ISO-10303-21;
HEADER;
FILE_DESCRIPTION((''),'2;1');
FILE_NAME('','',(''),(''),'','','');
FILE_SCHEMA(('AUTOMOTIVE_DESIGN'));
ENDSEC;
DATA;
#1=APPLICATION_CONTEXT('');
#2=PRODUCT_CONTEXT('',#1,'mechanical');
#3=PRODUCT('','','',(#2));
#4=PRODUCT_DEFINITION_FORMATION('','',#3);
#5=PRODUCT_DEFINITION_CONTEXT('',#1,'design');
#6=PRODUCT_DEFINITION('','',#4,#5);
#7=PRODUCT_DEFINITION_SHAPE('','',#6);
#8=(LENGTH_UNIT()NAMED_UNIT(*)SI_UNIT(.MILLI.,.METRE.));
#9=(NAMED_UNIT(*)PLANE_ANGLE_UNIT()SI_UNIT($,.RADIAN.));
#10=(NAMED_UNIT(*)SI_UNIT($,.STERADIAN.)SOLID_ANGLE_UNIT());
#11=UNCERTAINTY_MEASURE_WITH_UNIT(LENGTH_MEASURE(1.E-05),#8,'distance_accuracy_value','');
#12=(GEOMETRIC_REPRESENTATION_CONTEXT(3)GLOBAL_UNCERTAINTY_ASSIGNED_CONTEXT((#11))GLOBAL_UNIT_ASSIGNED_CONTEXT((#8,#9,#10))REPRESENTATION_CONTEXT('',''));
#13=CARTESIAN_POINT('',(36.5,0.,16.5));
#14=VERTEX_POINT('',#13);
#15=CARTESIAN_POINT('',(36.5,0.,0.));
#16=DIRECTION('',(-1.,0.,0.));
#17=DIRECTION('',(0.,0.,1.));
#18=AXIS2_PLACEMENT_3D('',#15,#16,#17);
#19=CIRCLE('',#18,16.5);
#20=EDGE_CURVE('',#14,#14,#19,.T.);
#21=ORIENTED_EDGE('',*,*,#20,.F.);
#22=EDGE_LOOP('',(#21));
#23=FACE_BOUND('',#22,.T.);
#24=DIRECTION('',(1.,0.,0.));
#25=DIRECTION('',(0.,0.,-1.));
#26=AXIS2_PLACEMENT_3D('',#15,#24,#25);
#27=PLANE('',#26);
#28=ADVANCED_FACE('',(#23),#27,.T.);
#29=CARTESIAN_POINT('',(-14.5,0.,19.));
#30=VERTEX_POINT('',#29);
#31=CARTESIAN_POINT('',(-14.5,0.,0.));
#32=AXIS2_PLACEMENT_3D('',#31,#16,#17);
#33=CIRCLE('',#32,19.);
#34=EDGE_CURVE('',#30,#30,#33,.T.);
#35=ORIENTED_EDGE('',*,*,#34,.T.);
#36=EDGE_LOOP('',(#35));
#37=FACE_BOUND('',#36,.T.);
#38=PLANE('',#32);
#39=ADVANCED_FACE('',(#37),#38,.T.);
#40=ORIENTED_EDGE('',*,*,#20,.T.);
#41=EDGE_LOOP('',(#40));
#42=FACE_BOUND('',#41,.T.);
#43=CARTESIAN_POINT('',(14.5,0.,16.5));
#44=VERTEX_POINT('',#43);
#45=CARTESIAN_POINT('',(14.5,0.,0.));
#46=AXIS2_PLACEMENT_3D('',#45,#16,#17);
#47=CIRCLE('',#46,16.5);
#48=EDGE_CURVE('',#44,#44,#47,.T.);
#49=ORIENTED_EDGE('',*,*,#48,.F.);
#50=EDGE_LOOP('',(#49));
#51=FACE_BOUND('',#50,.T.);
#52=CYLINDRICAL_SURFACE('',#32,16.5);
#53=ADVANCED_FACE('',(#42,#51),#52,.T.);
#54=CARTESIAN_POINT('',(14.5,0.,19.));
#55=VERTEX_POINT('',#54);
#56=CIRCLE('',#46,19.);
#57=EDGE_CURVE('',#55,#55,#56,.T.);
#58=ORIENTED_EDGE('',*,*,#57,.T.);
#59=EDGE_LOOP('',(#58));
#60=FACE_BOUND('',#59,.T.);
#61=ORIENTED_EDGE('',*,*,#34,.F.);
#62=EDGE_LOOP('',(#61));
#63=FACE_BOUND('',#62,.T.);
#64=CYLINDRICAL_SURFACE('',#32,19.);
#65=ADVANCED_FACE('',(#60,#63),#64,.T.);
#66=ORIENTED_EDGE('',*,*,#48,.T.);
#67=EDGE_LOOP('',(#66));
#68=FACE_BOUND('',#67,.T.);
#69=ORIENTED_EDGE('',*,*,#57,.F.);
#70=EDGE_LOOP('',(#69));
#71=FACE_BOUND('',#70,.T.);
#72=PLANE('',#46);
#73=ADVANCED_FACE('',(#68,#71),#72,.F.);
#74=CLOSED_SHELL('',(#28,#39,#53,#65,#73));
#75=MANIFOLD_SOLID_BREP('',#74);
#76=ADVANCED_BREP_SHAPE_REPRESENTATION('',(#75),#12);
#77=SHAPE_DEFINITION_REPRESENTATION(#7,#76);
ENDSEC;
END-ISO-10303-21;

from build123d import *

# Parameters (mm, degrees)
SKETCH1_W = 22
SKETCH1_H = 16.5


with BuildPart() as part:
    # Sketch1 → Revolve2 (revolve)
    with BuildSketch(Plane(origin=(0, 0, 0), x_dir=(1, 0, 0), z_dir=(0, 1, 0)), mode=Mode.PRIVATE) as revolve2_sk:
        Polygon((-14.5, 19), (-14.5, 0), (14.5, 0), (14.5, 16.5), (14.5, 19), align=None)
        with Locations((25.5, 8.25)):
            Rectangle(SKETCH1_W, SKETCH1_H)
    revolve(revolve2_sk.sketch.rotate(Axis((-14.5, 0, 0), (1, 0, 0)), 180), axis=Axis((-14.5, 0, 0), (1, 0, 0)))


solid = part.part
